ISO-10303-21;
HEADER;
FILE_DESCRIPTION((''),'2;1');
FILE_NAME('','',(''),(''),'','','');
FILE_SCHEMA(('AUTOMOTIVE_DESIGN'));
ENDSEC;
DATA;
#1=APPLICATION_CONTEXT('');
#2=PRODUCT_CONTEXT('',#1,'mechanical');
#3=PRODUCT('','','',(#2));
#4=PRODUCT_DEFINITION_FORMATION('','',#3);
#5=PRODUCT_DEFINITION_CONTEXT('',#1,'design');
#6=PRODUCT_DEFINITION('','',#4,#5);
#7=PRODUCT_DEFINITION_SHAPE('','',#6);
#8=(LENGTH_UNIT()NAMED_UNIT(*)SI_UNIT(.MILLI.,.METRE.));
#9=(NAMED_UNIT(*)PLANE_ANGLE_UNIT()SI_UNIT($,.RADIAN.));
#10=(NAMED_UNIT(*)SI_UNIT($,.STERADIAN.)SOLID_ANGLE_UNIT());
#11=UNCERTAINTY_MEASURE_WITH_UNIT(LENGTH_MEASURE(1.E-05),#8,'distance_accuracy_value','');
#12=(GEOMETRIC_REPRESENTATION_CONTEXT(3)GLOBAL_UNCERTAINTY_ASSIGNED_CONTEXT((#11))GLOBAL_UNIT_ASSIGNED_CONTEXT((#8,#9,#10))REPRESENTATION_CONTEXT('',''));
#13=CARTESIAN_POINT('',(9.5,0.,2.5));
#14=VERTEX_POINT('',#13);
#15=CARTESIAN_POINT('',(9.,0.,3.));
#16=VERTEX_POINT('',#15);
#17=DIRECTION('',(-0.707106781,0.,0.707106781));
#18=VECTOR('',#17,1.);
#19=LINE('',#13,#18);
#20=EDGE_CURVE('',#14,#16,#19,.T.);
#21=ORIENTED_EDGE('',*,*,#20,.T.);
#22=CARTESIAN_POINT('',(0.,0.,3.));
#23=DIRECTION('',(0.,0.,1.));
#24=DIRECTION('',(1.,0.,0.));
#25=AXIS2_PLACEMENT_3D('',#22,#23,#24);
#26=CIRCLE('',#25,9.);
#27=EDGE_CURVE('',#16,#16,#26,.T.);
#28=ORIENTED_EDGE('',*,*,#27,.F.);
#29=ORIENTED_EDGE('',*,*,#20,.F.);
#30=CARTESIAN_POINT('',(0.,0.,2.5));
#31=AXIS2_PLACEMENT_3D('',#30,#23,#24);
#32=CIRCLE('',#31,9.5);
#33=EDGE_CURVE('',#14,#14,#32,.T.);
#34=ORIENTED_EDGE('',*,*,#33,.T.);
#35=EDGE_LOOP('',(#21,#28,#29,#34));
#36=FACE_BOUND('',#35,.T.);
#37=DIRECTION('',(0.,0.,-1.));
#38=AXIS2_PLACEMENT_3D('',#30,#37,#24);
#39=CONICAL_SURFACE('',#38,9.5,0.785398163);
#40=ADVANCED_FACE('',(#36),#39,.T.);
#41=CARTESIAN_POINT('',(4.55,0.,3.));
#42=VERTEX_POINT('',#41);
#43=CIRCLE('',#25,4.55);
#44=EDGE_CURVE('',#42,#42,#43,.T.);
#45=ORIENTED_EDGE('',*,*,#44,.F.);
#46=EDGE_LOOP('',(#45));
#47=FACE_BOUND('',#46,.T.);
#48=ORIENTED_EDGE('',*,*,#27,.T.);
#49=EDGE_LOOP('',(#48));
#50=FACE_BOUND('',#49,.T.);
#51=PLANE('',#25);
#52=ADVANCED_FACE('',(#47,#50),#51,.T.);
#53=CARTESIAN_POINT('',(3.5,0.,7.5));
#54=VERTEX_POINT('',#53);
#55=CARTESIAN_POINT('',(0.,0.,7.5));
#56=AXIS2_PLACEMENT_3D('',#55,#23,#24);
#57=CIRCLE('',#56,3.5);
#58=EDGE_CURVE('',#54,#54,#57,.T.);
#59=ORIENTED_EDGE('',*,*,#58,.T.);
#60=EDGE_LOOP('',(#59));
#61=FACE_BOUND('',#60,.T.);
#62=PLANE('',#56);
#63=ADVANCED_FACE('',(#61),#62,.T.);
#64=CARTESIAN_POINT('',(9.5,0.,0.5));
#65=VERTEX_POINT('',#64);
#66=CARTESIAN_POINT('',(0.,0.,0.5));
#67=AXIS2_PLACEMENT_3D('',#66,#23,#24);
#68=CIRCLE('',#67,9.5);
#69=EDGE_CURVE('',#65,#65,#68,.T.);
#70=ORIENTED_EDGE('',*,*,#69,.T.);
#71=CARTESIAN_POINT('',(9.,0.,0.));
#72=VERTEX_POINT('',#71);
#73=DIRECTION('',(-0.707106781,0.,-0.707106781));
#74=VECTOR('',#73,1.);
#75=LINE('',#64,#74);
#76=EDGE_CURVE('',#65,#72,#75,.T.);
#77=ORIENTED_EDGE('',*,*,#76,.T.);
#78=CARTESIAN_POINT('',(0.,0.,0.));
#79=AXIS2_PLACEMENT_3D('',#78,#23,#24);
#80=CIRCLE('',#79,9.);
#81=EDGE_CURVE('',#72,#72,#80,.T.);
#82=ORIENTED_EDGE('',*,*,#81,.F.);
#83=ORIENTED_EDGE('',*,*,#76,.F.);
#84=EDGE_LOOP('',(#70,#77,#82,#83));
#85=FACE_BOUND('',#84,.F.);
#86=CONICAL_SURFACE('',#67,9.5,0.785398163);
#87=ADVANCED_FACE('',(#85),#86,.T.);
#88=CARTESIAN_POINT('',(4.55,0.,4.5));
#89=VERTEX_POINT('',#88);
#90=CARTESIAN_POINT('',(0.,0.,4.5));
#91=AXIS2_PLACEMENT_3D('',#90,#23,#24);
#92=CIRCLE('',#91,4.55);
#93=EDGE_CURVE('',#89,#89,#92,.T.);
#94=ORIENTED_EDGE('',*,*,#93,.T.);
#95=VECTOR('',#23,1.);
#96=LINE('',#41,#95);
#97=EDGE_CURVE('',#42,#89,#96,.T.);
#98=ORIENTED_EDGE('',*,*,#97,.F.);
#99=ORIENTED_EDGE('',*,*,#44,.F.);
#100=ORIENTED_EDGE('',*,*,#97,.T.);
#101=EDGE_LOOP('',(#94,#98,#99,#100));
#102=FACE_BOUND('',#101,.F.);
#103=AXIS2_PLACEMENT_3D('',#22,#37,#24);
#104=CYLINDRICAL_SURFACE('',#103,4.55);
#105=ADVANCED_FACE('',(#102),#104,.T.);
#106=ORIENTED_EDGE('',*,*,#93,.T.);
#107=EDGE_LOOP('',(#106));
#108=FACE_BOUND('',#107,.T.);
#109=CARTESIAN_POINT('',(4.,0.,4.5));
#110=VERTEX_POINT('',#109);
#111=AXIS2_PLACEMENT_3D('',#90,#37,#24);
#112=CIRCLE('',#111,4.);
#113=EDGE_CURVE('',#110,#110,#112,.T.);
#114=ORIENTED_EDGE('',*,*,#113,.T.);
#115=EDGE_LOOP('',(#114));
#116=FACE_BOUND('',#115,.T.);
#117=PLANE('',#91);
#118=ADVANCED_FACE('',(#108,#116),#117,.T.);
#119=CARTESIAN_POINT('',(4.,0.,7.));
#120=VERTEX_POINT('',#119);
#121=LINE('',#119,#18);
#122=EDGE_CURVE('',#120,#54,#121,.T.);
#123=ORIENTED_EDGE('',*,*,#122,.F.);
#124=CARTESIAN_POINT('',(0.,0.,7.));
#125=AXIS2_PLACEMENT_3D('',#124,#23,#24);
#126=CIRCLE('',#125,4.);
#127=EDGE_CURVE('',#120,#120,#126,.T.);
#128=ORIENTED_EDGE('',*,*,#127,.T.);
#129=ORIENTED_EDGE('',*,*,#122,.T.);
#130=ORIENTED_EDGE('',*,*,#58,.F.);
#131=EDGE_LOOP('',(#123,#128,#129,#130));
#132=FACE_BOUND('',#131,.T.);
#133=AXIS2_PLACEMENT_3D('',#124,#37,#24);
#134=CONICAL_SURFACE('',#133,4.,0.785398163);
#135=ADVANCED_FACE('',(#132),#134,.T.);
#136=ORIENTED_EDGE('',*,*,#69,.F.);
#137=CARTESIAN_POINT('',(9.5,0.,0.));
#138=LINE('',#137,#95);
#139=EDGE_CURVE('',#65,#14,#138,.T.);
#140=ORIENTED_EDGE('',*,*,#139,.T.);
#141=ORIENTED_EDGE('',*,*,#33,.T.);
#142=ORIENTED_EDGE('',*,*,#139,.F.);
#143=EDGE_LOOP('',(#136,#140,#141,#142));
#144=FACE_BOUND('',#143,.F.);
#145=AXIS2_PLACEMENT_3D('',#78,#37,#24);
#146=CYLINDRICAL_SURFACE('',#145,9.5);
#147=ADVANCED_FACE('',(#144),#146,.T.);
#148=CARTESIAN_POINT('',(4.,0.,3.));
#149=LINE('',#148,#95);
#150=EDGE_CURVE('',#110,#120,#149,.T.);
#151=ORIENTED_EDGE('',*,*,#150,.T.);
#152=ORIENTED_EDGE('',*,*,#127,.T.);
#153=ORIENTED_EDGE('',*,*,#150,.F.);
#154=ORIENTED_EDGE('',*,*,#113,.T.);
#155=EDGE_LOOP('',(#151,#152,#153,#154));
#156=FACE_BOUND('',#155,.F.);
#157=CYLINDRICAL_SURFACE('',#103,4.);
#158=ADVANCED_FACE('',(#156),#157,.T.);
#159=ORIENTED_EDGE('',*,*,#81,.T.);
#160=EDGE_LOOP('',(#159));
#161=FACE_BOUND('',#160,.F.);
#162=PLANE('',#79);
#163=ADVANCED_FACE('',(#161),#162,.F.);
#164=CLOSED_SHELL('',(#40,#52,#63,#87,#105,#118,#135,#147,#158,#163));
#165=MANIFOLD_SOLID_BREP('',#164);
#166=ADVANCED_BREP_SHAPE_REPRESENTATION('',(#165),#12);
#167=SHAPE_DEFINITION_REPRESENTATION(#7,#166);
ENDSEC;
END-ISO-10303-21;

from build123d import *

# Parameters (mm, degrees)
F0_R     = 9.5
F1_DEPTH = 3
F2_R     = 4
F3_DEPTH = 4.5
F4_SIZE  = 0.5
F5_R     = 4.55
F6_DEPTH = 1.5


with BuildPart() as f1:
    # F0 (on Top) → F1 (new body)
    with BuildSketch(Plane.XY):
        Circle(F0_R)
    extrude(amount=F1_DEPTH)

    # F2 (on face) → F3 (join)
    with BuildSketch(Plane.XY.offset(3)):
        Circle(F2_R)
    extrude(amount=F3_DEPTH)

    # F4
    f4_edges = [f1.edges().sort_by_distance(p)[0] for p in [
        (-4, 0, 7.5),
        (-9.5, 0, 3),
        (-9.5, 0, 0),
    ]]
    chamfer(f4_edges, length=F4_SIZE)

    # F5 (on face) → F6 (join)
    with BuildSketch(Plane.XY.offset(3)):
        Circle(F5_R)
    extrude(amount=F6_DEPTH)


solid = f1.part
